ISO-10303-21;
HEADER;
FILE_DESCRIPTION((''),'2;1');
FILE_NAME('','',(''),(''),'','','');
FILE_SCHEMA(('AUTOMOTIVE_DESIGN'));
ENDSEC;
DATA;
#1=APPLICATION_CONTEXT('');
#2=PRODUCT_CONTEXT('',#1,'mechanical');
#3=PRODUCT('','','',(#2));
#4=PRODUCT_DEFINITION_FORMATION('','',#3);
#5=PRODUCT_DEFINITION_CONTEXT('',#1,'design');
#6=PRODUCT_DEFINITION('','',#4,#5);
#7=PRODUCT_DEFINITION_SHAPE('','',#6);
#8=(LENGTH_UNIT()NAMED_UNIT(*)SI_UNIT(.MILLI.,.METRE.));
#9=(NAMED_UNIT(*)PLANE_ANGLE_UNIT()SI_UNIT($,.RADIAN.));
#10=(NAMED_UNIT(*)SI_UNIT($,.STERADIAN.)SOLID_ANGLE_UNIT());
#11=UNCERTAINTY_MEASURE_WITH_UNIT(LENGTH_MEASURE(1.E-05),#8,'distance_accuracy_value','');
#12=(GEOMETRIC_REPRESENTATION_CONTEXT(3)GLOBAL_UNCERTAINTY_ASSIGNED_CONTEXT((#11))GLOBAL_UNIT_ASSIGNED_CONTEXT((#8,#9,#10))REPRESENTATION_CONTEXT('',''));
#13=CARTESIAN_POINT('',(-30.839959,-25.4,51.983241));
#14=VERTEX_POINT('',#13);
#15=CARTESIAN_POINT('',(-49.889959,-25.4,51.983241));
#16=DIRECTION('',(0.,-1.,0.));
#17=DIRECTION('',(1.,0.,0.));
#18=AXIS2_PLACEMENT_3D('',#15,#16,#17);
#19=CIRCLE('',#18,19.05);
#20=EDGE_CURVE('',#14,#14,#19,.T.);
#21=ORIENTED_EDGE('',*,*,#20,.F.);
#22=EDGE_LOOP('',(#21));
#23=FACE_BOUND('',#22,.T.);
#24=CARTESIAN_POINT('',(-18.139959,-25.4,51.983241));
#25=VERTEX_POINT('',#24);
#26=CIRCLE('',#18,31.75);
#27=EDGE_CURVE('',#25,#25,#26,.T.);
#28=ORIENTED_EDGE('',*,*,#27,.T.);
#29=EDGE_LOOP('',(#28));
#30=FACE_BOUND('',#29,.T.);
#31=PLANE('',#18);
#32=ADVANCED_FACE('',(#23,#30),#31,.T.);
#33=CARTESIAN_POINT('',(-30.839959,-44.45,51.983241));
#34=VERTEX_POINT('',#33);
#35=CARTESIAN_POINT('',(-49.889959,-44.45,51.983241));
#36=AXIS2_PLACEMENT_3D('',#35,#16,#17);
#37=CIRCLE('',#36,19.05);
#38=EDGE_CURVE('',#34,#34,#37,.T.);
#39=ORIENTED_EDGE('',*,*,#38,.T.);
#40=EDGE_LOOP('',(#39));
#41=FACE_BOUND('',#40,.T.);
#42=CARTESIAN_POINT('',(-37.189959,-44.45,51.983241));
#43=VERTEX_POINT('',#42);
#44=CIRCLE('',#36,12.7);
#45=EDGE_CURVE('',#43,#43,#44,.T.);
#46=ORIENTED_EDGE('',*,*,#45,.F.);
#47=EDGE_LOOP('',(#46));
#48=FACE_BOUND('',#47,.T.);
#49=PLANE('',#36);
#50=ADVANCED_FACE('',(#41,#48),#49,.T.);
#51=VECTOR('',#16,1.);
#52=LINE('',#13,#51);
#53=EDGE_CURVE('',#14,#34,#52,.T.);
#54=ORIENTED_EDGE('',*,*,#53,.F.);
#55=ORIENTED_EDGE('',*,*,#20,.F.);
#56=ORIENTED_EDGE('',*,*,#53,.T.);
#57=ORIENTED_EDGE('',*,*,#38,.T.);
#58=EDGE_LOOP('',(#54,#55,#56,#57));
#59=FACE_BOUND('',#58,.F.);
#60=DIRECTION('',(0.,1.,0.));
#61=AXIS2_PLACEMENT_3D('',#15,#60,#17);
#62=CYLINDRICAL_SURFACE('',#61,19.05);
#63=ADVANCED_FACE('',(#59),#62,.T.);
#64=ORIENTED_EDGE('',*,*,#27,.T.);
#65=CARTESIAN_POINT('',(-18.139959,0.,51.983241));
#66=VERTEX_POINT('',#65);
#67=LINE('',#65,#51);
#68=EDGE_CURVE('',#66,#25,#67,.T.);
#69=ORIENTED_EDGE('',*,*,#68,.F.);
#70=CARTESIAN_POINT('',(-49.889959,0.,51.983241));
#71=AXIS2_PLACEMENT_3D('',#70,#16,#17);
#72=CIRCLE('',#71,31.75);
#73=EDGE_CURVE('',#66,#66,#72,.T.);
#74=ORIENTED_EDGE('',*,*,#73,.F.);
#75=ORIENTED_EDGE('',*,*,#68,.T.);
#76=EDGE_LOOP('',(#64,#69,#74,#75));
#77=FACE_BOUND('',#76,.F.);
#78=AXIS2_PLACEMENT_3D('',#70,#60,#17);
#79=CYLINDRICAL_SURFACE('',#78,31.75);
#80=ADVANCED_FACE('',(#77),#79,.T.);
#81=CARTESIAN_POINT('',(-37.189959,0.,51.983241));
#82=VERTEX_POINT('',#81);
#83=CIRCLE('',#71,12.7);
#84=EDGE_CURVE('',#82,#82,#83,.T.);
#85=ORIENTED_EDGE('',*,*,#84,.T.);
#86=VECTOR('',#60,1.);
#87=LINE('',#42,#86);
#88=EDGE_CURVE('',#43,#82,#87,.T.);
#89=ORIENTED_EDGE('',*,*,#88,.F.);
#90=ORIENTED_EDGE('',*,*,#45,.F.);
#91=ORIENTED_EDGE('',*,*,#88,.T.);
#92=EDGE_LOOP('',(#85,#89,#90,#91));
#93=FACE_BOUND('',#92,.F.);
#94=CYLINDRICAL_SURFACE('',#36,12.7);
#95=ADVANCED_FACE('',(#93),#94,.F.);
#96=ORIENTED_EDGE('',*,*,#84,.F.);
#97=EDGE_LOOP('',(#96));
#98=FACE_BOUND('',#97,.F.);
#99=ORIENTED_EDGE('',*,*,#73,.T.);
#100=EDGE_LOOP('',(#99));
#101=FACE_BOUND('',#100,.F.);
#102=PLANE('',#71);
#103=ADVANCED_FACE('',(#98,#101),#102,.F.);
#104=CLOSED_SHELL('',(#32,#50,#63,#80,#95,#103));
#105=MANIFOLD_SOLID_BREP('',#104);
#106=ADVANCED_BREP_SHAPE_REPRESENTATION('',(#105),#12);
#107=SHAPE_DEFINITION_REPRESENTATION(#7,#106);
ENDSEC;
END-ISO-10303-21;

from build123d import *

# Parameters (mm, degrees)
F0_R     = 31.75
F1_DEPTH = 25.4
F2_R     = 19.05
F3_DEPTH = 19.05
F4_R     = 12.7
F5_DEPTH = 44.451


with BuildPart() as f1:
    # F0 (on Front) → F1 (new body)
    with BuildSketch(Plane.XZ):
        with Locations((-49.889959, 51.983241)):
            Circle(F0_R)
    extrude(amount=F1_DEPTH)

    # F2 (on face) → F3 (join)
    with BuildSketch(Plane.XZ.offset(25.4)):
        with Locations((-49.889959, 51.983241)):
            Circle(F2_R)
    extrude(amount=F3_DEPTH)

    # F4 (on face) → F5 (cut, through all)
    with BuildSketch(Plane.XZ.offset(44.45)):
        with Locations((-49.889959, 51.983241)):
            Circle(F4_R)
    extrude(amount=-F5_DEPTH, mode=Mode.SUBTRACT)


solid = f1.part
